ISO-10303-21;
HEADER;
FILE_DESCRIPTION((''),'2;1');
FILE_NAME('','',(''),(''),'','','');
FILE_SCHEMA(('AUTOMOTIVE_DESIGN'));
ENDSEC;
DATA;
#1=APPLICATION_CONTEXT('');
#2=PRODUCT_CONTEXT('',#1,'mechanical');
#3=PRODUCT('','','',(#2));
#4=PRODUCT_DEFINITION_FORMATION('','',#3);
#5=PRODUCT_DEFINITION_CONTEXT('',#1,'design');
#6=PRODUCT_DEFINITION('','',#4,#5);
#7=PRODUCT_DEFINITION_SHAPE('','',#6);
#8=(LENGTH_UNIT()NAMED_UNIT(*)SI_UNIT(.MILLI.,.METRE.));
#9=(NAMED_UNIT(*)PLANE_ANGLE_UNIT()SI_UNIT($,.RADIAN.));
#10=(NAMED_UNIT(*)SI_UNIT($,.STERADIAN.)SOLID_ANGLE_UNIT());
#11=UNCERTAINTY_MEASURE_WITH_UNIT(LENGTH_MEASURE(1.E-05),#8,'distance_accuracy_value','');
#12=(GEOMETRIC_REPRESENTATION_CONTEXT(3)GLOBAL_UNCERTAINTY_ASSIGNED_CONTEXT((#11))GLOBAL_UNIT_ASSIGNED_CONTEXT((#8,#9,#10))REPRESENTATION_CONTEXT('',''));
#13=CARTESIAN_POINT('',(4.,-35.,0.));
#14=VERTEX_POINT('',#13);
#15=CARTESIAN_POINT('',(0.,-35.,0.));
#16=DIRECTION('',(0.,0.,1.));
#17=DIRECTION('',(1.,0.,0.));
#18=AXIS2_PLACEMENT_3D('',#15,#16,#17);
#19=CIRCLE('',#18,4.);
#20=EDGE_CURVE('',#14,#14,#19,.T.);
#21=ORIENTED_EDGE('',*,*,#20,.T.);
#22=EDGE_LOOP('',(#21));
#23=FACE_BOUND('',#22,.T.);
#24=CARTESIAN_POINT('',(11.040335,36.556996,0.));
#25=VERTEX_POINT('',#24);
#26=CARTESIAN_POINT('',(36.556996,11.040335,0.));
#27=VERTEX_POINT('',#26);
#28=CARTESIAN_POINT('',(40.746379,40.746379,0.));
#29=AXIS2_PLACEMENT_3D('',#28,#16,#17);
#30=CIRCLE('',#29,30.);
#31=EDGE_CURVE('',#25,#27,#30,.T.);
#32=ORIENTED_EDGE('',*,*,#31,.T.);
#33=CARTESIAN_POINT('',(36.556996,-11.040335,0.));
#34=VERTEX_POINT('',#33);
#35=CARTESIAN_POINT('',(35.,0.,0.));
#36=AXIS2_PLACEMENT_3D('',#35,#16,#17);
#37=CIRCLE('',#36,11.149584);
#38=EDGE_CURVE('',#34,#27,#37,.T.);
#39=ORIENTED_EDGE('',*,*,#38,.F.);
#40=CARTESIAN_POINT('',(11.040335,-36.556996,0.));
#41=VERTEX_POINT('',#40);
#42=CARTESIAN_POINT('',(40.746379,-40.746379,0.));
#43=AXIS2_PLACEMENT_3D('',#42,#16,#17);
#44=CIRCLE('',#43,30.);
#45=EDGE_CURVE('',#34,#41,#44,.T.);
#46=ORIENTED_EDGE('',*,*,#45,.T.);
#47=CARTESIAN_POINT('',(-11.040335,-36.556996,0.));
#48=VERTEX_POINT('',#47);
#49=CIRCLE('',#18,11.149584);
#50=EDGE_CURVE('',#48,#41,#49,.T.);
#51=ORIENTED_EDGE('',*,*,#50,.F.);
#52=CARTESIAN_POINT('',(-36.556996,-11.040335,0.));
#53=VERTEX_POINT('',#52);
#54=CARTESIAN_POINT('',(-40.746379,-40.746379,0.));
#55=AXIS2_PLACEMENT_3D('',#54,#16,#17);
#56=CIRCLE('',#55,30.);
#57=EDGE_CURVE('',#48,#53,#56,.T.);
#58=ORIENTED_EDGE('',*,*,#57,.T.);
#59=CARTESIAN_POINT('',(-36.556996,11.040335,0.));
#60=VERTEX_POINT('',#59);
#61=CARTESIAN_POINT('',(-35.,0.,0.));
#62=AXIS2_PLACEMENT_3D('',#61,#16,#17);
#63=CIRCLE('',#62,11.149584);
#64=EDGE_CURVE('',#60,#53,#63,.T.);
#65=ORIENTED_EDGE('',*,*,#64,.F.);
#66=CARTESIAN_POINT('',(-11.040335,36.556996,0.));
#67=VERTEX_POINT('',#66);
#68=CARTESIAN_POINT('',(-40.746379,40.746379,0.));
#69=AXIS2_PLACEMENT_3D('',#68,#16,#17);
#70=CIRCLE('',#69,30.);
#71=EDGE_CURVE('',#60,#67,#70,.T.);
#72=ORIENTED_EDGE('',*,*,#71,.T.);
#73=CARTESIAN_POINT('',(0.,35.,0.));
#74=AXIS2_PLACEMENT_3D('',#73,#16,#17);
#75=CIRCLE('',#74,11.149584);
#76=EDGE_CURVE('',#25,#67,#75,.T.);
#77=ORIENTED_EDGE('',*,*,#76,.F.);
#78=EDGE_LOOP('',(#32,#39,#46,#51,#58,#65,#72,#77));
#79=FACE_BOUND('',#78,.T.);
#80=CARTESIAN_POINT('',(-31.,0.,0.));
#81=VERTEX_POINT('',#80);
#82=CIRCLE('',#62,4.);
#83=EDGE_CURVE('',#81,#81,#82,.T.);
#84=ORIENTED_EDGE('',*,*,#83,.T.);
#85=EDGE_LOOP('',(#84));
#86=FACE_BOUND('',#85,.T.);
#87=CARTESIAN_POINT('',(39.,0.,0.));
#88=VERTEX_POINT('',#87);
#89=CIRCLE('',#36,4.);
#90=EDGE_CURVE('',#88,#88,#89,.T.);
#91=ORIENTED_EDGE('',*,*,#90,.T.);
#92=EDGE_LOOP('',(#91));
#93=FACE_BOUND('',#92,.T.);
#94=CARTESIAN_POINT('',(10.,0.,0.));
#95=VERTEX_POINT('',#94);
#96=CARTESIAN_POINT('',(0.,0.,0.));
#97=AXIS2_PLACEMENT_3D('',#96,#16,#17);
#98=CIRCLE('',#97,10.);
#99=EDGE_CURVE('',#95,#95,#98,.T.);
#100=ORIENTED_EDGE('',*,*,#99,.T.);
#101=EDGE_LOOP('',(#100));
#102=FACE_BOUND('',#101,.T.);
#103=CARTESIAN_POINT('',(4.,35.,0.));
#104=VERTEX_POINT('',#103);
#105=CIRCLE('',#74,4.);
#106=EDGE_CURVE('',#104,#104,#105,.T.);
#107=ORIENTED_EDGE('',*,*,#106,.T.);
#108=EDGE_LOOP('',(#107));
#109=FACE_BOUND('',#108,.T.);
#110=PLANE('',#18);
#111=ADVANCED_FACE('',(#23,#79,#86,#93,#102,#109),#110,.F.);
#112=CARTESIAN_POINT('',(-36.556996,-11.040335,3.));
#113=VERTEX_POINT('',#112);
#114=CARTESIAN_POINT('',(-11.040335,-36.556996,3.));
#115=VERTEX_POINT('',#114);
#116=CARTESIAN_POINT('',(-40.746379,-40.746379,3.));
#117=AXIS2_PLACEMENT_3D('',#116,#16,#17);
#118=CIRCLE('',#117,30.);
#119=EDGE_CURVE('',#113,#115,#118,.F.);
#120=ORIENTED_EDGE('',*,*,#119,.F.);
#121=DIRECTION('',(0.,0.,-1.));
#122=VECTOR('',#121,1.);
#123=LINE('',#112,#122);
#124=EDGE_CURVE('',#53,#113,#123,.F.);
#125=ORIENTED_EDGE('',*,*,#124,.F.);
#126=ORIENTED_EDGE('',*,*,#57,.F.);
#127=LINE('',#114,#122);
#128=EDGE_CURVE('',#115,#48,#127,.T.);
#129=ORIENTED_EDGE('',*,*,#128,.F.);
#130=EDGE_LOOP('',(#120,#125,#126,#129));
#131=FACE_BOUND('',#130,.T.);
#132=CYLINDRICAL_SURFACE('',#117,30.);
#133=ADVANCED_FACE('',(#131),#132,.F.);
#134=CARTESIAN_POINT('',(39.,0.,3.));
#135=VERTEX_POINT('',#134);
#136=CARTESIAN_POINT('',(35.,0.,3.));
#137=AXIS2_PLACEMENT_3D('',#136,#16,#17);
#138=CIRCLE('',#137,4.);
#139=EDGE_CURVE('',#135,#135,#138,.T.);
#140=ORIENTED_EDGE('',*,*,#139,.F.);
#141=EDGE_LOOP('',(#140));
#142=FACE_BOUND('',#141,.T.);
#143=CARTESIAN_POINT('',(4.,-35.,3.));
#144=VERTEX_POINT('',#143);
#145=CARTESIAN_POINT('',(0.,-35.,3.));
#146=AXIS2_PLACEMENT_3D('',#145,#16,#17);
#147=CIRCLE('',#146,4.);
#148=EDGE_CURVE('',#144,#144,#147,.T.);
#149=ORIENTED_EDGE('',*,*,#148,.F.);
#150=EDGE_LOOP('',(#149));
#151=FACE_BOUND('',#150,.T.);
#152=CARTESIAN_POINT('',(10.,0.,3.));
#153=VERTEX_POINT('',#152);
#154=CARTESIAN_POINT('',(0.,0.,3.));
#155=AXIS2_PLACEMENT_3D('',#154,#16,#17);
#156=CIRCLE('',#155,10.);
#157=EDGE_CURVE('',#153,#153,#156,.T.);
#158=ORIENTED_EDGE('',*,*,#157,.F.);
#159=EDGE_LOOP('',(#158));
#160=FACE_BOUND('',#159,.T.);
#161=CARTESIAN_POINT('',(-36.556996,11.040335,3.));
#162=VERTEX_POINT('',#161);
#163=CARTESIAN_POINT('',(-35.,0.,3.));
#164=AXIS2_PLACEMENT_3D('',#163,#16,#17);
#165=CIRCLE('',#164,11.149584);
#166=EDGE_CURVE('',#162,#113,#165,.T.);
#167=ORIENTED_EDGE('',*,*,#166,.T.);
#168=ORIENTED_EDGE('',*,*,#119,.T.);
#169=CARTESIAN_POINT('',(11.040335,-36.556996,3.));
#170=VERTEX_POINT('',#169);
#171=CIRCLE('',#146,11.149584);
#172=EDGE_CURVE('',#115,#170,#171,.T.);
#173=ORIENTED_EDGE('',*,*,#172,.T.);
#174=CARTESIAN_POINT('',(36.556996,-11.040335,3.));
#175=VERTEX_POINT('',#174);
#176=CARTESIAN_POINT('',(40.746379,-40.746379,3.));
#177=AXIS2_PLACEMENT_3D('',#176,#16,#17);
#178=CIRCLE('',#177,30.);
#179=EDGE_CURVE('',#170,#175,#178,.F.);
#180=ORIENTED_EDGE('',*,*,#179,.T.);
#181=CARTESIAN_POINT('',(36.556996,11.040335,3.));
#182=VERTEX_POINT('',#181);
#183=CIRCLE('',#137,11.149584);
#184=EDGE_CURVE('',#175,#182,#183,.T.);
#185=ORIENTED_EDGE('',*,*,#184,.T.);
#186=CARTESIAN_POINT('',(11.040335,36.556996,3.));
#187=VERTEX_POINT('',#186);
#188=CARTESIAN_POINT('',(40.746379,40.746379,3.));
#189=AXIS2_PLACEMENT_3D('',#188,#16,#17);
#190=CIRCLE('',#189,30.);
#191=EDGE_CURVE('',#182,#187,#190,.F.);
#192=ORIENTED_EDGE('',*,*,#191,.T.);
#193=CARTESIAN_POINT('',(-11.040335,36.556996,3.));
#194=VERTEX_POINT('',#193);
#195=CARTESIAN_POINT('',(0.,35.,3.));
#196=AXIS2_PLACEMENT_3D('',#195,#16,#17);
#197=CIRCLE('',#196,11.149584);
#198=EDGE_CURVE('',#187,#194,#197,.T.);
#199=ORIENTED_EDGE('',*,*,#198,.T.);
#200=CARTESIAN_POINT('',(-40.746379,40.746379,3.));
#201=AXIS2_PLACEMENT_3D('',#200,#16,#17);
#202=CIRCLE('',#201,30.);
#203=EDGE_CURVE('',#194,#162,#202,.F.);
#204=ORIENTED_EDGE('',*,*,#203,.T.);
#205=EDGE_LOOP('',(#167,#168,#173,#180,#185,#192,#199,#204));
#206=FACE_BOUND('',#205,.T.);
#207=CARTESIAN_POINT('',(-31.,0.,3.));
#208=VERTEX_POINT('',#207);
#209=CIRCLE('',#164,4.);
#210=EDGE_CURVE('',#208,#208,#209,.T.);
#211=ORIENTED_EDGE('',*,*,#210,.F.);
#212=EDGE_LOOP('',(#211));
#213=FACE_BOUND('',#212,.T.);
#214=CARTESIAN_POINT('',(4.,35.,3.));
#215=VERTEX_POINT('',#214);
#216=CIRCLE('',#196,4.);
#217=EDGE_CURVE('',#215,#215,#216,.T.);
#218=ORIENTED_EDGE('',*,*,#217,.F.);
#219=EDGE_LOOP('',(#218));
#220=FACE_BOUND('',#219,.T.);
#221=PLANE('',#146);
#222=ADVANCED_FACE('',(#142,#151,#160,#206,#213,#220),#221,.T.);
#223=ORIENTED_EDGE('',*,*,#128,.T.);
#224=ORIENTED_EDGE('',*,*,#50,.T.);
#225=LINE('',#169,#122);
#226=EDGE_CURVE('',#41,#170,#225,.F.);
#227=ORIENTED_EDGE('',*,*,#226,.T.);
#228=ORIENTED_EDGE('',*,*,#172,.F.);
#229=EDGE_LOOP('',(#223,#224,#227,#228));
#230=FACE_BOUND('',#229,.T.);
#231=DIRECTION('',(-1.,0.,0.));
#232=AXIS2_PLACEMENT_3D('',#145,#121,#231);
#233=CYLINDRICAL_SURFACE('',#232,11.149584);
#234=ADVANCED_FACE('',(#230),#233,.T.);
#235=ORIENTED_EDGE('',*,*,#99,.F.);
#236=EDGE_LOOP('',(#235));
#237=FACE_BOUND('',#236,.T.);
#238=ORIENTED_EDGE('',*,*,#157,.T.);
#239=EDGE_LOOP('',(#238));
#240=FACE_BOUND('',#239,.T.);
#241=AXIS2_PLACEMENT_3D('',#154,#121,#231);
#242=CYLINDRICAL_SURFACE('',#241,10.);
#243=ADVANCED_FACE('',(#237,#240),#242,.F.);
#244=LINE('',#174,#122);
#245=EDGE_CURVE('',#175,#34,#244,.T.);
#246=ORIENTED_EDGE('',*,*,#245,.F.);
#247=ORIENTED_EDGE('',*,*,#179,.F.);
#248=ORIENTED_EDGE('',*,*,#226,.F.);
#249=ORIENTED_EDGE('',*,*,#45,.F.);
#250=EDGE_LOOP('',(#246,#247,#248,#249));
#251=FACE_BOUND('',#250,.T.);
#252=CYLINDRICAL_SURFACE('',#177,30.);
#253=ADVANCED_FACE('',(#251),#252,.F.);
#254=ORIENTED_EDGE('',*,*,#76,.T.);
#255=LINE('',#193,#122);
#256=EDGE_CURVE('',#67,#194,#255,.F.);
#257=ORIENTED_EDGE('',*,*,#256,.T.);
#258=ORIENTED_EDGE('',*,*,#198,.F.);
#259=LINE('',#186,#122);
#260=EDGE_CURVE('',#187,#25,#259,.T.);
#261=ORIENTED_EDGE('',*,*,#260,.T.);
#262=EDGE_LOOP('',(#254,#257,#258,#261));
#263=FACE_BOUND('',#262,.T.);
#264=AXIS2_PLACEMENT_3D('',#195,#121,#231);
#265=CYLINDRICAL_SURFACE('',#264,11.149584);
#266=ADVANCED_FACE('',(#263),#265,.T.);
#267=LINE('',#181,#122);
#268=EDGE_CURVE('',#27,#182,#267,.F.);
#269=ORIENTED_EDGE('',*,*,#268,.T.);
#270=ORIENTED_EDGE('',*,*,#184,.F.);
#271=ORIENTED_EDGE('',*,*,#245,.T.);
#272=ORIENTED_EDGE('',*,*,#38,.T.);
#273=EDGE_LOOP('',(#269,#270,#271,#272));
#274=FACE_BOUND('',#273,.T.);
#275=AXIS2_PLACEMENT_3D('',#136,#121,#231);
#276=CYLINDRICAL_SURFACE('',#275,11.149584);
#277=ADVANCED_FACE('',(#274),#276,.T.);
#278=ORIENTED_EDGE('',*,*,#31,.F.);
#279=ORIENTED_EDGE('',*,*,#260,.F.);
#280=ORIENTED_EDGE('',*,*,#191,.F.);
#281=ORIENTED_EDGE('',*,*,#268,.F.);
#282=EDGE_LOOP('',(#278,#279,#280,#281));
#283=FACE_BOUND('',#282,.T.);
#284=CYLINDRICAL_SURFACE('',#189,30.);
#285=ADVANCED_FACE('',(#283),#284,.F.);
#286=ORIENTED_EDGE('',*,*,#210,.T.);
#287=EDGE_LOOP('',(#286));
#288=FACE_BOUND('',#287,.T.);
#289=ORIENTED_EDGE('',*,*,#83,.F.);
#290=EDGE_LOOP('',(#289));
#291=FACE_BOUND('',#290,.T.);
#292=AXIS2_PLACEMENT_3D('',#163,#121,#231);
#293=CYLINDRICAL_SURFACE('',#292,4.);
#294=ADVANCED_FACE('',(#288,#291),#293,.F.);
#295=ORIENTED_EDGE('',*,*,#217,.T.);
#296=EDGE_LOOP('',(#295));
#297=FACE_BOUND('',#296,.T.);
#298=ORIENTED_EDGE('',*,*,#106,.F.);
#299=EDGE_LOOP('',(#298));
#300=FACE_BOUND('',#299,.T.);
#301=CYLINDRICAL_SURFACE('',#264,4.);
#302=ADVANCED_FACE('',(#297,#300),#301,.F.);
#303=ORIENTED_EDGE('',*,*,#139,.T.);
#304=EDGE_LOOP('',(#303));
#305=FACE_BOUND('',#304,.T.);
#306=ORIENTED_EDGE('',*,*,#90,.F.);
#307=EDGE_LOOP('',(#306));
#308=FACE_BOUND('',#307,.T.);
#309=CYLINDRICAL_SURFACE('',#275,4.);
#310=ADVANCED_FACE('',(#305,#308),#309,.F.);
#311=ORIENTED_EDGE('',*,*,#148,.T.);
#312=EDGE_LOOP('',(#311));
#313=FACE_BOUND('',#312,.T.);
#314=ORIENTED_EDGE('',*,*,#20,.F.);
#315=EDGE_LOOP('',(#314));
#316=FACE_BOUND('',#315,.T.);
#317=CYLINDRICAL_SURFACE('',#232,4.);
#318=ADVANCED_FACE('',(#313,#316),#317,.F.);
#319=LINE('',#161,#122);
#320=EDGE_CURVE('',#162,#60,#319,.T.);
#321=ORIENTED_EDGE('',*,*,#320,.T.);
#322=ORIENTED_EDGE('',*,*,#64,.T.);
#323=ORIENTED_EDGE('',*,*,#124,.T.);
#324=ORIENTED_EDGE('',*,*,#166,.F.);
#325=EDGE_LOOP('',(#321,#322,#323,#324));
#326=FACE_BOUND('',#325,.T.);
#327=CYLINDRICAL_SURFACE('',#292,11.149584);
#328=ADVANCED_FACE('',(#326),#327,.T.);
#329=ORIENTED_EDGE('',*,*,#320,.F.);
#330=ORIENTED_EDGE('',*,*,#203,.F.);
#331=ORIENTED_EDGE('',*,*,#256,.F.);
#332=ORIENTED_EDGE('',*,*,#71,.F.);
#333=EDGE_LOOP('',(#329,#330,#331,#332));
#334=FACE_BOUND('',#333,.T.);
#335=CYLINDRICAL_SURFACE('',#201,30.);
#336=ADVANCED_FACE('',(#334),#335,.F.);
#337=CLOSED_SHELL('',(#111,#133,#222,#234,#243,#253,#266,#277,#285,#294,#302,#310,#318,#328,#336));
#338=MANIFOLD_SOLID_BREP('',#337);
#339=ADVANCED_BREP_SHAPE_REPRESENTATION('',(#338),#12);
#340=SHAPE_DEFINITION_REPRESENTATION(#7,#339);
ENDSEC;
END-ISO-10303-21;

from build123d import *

# Parameters (mm, degrees)
SKETCH1_R           = 4
SKETCH1_R_2         = 10
BOSS_EXTRUDE1_DEPTH = 3
FILLET1_R           = 30


with BuildPart() as part:
    # Sketch1 → Boss-Extrude1 (new body)
    with BuildSketch(Plane.XY):
        with BuildLine():
            Line((-11.149584488, -35), (-11.149584488, -11.149584488))
            Line((-11.149584488, -11.149584488), (-35, -11.149584488))
            ThreePointArc((-35, -11.149584488), (-46.149584488, 0), (-35, 11.149584488))
            Line((-35, 11.149584488), (-11.149584488, 11.149584488))
            Line((-11.149584488, 11.149584488), (-11.149584488, 35))
            ThreePointArc((-11.149584488, 35), (0, 46.149584488), (11.149584488, 35))
            Line((11.149584488, 35), (11.149584488, 11.149584488))
            Line((11.149584488, 11.149584488), (35, 11.149584488))
            ThreePointArc((35, 11.149584488), (46.149584488, 0), (35, -11.149584488))
            Line((35, -11.149584488), (11.149584488, -11.149584488))
            Line((11.149584488, -11.149584488), (11.149584488, -35))
            ThreePointArc((11.149584488, -35), (0, -46.149584488), (-11.149584488, -35))
        make_face()
        with Locations((-35, 0)):
            Circle(SKETCH1_R, mode=Mode.SUBTRACT)
        with Locations((35, 0)):
            Circle(SKETCH1_R, mode=Mode.SUBTRACT)
        with Locations((0, 35)):
            Circle(SKETCH1_R, mode=Mode.SUBTRACT)
        with Locations((0, -35)):
            Circle(SKETCH1_R, mode=Mode.SUBTRACT)
        Circle(SKETCH1_R_2, mode=Mode.SUBTRACT)
    extrude(amount=BOSS_EXTRUDE1_DEPTH)

    # Fillet1
    fillet1_edges = [part.edges().sort_by_distance(p)[0] for p in [
        (-11.149584488, 11.149584488, 1.5),
        (11.149584488, 11.149584488, 1.5),
        (11.149584488, -11.149584488, 1.5),
        (-11.149584488, -11.149584488, 1.5),
    ]]
    fillet(fillet1_edges, radius=FILLET1_R)


solid = part.part
